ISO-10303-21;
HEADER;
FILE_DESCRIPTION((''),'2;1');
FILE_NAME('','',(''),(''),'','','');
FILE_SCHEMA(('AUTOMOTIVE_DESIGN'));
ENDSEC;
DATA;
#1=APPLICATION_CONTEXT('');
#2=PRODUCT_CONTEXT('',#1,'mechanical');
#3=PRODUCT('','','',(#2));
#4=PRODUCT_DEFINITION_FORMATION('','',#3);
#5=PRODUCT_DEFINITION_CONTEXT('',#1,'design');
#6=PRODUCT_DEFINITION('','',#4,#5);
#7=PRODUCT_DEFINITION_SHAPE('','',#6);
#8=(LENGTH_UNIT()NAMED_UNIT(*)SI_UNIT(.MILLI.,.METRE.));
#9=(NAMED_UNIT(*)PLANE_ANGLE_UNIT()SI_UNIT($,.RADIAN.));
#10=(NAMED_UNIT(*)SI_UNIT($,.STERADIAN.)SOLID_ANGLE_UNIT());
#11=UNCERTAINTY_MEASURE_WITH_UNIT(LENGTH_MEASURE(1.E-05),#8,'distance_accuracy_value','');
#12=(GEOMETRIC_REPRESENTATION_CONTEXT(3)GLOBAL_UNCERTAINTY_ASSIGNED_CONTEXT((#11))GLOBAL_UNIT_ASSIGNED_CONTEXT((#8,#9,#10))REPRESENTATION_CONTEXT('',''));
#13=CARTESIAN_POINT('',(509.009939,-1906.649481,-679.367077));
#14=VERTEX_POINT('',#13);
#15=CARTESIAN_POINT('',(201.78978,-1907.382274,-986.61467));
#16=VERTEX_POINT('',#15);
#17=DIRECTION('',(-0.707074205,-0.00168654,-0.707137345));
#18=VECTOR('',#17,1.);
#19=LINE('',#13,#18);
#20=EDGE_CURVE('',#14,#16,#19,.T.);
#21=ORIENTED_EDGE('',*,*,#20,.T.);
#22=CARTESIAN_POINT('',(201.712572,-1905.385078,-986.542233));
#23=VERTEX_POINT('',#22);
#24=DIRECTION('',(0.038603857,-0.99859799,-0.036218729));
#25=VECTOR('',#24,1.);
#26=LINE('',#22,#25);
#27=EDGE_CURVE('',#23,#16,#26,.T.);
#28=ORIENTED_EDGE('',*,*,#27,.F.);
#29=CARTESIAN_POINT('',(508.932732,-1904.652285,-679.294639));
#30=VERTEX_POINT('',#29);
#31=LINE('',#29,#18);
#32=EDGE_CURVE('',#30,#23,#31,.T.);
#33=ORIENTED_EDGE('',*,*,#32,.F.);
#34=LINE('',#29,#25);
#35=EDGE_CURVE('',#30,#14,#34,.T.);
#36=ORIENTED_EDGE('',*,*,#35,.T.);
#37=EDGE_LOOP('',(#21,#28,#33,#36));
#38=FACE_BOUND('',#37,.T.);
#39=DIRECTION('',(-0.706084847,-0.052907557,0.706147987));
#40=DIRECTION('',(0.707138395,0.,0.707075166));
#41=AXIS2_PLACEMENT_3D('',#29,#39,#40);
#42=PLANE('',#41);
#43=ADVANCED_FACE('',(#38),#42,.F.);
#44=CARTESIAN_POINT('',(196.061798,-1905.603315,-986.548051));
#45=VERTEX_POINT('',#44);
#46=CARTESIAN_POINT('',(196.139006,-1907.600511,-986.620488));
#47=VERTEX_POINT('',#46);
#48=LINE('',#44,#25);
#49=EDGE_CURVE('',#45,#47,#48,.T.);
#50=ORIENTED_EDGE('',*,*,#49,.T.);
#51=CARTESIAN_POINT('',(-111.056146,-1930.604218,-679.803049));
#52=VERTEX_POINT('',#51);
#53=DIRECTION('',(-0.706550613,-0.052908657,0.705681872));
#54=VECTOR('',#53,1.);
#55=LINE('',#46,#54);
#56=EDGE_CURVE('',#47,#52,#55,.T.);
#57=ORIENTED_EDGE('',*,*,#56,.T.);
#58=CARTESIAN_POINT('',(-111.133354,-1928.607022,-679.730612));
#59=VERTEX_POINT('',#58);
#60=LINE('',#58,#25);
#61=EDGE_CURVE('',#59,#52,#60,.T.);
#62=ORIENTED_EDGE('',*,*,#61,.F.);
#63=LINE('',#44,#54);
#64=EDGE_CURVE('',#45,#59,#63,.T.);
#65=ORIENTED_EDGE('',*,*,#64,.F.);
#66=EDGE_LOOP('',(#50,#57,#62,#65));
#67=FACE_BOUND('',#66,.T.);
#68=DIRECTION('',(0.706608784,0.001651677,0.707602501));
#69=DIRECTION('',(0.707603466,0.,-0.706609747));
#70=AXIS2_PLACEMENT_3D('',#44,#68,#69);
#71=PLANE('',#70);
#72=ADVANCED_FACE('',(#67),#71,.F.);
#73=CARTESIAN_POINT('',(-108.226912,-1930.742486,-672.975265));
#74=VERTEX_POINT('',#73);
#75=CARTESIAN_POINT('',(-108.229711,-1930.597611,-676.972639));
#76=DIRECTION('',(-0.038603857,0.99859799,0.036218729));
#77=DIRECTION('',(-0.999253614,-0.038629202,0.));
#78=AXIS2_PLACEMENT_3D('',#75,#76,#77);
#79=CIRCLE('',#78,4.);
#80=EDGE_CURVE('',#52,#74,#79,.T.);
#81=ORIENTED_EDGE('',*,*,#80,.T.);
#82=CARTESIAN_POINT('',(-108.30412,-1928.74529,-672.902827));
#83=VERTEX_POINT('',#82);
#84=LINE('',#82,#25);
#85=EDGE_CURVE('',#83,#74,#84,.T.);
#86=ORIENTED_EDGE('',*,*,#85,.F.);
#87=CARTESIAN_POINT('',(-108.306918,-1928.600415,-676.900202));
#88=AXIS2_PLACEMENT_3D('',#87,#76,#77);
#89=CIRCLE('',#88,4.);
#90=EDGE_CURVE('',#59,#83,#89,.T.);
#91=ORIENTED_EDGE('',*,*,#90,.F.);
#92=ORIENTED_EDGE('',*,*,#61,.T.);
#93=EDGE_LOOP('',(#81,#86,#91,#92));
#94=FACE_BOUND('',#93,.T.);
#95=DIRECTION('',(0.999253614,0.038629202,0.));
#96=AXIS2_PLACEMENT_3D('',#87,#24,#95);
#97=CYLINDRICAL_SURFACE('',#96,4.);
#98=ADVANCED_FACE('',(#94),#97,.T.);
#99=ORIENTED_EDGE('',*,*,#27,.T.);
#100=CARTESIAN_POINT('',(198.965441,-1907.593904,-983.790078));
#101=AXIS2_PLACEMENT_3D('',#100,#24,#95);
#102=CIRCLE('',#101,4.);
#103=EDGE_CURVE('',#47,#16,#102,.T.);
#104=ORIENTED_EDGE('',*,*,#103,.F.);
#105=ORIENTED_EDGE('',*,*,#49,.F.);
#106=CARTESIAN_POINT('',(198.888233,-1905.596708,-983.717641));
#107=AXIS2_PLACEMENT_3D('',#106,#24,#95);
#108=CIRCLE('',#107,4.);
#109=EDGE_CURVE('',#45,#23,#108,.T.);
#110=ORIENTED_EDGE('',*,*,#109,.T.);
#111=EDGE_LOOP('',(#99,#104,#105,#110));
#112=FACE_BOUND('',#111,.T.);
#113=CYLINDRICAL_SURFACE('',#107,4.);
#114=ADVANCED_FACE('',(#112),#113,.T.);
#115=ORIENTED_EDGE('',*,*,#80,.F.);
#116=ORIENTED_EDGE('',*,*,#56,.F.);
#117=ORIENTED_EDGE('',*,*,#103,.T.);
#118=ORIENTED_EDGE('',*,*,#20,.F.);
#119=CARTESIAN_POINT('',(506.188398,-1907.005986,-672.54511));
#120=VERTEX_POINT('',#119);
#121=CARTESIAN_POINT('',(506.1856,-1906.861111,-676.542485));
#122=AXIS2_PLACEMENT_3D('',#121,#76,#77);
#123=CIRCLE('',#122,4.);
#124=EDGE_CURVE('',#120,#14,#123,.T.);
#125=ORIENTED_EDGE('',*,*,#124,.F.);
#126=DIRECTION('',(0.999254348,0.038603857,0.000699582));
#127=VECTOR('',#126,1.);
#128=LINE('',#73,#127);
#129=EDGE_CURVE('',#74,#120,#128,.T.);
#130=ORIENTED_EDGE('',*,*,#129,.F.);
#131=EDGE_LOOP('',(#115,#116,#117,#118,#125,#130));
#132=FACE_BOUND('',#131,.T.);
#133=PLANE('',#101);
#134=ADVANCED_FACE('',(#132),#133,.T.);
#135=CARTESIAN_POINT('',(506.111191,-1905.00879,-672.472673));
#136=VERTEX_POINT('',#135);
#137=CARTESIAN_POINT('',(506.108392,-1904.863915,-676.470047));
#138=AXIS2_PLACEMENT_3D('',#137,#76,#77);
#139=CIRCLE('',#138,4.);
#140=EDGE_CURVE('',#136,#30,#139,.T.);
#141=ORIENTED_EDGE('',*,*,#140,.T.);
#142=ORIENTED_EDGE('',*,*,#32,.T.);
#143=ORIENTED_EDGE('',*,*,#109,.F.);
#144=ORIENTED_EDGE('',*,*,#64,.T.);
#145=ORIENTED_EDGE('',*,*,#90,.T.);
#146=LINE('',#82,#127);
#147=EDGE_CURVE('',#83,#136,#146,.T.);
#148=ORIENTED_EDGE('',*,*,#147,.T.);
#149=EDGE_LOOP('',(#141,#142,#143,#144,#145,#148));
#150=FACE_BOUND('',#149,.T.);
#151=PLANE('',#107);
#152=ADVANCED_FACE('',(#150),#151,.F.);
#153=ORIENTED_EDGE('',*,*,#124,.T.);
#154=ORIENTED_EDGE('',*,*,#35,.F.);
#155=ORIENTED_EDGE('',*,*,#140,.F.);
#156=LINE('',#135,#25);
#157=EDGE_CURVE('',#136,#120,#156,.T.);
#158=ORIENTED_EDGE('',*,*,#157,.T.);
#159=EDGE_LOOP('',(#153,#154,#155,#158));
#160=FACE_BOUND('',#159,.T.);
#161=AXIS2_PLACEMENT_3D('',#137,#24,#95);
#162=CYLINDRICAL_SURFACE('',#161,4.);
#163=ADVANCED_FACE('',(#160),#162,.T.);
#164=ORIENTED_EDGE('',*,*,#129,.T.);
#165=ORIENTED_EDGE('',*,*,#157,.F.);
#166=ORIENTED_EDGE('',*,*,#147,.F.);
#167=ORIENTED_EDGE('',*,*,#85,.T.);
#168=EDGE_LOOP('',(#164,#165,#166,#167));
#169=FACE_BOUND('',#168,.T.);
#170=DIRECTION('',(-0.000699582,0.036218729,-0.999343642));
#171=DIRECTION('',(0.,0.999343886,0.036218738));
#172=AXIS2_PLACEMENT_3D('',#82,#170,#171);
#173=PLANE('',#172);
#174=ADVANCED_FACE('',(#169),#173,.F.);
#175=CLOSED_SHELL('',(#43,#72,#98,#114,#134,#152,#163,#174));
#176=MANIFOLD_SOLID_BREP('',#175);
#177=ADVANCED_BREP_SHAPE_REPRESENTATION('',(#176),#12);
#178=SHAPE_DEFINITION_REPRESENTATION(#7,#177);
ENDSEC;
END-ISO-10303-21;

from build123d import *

# Parameters (mm, degrees)
BOSS_EXTRUDE1_DEPTH = 2


with BuildPart() as part:
    # Sketch2 → Boss-Extrude1 (new body)
    with BuildSketch(Plane(origin=(75.209264803, -1945.500458031, -70.562482719), x_dir=(0.9992543484228519, 0.038603856587709914, 0.0006995817159617483), z_dir=(-0.03860385658770992, 0.998597990155389, 0.03621872877633121))):
        with BuildLine():
            Line((121.661795946, 916.744830805), (-185.977682848, 609.510517299))
            ThreePointArc((-185.977682848, 609.510517299), (-186.847142363, 605.15071094), (-183.151120103, 602.680227023))
            Line((-183.151120103, 602.680227023), (431.722672198, 602.680227023))
            ThreePointArc((431.722672198, 602.680227023), (435.418190328, 605.149493294), (434.551099323, 609.508654148))
            Line((434.551099323, 609.508654148), (127.316785816, 916.742967654))
            ThreePointArc((127.316785816, 916.742967654), (124.489676573, 917.914540312), (121.661795946, 916.744830805))
        make_face()
    extrude(amount=BOSS_EXTRUDE1_DEPTH)


solid = part.part
